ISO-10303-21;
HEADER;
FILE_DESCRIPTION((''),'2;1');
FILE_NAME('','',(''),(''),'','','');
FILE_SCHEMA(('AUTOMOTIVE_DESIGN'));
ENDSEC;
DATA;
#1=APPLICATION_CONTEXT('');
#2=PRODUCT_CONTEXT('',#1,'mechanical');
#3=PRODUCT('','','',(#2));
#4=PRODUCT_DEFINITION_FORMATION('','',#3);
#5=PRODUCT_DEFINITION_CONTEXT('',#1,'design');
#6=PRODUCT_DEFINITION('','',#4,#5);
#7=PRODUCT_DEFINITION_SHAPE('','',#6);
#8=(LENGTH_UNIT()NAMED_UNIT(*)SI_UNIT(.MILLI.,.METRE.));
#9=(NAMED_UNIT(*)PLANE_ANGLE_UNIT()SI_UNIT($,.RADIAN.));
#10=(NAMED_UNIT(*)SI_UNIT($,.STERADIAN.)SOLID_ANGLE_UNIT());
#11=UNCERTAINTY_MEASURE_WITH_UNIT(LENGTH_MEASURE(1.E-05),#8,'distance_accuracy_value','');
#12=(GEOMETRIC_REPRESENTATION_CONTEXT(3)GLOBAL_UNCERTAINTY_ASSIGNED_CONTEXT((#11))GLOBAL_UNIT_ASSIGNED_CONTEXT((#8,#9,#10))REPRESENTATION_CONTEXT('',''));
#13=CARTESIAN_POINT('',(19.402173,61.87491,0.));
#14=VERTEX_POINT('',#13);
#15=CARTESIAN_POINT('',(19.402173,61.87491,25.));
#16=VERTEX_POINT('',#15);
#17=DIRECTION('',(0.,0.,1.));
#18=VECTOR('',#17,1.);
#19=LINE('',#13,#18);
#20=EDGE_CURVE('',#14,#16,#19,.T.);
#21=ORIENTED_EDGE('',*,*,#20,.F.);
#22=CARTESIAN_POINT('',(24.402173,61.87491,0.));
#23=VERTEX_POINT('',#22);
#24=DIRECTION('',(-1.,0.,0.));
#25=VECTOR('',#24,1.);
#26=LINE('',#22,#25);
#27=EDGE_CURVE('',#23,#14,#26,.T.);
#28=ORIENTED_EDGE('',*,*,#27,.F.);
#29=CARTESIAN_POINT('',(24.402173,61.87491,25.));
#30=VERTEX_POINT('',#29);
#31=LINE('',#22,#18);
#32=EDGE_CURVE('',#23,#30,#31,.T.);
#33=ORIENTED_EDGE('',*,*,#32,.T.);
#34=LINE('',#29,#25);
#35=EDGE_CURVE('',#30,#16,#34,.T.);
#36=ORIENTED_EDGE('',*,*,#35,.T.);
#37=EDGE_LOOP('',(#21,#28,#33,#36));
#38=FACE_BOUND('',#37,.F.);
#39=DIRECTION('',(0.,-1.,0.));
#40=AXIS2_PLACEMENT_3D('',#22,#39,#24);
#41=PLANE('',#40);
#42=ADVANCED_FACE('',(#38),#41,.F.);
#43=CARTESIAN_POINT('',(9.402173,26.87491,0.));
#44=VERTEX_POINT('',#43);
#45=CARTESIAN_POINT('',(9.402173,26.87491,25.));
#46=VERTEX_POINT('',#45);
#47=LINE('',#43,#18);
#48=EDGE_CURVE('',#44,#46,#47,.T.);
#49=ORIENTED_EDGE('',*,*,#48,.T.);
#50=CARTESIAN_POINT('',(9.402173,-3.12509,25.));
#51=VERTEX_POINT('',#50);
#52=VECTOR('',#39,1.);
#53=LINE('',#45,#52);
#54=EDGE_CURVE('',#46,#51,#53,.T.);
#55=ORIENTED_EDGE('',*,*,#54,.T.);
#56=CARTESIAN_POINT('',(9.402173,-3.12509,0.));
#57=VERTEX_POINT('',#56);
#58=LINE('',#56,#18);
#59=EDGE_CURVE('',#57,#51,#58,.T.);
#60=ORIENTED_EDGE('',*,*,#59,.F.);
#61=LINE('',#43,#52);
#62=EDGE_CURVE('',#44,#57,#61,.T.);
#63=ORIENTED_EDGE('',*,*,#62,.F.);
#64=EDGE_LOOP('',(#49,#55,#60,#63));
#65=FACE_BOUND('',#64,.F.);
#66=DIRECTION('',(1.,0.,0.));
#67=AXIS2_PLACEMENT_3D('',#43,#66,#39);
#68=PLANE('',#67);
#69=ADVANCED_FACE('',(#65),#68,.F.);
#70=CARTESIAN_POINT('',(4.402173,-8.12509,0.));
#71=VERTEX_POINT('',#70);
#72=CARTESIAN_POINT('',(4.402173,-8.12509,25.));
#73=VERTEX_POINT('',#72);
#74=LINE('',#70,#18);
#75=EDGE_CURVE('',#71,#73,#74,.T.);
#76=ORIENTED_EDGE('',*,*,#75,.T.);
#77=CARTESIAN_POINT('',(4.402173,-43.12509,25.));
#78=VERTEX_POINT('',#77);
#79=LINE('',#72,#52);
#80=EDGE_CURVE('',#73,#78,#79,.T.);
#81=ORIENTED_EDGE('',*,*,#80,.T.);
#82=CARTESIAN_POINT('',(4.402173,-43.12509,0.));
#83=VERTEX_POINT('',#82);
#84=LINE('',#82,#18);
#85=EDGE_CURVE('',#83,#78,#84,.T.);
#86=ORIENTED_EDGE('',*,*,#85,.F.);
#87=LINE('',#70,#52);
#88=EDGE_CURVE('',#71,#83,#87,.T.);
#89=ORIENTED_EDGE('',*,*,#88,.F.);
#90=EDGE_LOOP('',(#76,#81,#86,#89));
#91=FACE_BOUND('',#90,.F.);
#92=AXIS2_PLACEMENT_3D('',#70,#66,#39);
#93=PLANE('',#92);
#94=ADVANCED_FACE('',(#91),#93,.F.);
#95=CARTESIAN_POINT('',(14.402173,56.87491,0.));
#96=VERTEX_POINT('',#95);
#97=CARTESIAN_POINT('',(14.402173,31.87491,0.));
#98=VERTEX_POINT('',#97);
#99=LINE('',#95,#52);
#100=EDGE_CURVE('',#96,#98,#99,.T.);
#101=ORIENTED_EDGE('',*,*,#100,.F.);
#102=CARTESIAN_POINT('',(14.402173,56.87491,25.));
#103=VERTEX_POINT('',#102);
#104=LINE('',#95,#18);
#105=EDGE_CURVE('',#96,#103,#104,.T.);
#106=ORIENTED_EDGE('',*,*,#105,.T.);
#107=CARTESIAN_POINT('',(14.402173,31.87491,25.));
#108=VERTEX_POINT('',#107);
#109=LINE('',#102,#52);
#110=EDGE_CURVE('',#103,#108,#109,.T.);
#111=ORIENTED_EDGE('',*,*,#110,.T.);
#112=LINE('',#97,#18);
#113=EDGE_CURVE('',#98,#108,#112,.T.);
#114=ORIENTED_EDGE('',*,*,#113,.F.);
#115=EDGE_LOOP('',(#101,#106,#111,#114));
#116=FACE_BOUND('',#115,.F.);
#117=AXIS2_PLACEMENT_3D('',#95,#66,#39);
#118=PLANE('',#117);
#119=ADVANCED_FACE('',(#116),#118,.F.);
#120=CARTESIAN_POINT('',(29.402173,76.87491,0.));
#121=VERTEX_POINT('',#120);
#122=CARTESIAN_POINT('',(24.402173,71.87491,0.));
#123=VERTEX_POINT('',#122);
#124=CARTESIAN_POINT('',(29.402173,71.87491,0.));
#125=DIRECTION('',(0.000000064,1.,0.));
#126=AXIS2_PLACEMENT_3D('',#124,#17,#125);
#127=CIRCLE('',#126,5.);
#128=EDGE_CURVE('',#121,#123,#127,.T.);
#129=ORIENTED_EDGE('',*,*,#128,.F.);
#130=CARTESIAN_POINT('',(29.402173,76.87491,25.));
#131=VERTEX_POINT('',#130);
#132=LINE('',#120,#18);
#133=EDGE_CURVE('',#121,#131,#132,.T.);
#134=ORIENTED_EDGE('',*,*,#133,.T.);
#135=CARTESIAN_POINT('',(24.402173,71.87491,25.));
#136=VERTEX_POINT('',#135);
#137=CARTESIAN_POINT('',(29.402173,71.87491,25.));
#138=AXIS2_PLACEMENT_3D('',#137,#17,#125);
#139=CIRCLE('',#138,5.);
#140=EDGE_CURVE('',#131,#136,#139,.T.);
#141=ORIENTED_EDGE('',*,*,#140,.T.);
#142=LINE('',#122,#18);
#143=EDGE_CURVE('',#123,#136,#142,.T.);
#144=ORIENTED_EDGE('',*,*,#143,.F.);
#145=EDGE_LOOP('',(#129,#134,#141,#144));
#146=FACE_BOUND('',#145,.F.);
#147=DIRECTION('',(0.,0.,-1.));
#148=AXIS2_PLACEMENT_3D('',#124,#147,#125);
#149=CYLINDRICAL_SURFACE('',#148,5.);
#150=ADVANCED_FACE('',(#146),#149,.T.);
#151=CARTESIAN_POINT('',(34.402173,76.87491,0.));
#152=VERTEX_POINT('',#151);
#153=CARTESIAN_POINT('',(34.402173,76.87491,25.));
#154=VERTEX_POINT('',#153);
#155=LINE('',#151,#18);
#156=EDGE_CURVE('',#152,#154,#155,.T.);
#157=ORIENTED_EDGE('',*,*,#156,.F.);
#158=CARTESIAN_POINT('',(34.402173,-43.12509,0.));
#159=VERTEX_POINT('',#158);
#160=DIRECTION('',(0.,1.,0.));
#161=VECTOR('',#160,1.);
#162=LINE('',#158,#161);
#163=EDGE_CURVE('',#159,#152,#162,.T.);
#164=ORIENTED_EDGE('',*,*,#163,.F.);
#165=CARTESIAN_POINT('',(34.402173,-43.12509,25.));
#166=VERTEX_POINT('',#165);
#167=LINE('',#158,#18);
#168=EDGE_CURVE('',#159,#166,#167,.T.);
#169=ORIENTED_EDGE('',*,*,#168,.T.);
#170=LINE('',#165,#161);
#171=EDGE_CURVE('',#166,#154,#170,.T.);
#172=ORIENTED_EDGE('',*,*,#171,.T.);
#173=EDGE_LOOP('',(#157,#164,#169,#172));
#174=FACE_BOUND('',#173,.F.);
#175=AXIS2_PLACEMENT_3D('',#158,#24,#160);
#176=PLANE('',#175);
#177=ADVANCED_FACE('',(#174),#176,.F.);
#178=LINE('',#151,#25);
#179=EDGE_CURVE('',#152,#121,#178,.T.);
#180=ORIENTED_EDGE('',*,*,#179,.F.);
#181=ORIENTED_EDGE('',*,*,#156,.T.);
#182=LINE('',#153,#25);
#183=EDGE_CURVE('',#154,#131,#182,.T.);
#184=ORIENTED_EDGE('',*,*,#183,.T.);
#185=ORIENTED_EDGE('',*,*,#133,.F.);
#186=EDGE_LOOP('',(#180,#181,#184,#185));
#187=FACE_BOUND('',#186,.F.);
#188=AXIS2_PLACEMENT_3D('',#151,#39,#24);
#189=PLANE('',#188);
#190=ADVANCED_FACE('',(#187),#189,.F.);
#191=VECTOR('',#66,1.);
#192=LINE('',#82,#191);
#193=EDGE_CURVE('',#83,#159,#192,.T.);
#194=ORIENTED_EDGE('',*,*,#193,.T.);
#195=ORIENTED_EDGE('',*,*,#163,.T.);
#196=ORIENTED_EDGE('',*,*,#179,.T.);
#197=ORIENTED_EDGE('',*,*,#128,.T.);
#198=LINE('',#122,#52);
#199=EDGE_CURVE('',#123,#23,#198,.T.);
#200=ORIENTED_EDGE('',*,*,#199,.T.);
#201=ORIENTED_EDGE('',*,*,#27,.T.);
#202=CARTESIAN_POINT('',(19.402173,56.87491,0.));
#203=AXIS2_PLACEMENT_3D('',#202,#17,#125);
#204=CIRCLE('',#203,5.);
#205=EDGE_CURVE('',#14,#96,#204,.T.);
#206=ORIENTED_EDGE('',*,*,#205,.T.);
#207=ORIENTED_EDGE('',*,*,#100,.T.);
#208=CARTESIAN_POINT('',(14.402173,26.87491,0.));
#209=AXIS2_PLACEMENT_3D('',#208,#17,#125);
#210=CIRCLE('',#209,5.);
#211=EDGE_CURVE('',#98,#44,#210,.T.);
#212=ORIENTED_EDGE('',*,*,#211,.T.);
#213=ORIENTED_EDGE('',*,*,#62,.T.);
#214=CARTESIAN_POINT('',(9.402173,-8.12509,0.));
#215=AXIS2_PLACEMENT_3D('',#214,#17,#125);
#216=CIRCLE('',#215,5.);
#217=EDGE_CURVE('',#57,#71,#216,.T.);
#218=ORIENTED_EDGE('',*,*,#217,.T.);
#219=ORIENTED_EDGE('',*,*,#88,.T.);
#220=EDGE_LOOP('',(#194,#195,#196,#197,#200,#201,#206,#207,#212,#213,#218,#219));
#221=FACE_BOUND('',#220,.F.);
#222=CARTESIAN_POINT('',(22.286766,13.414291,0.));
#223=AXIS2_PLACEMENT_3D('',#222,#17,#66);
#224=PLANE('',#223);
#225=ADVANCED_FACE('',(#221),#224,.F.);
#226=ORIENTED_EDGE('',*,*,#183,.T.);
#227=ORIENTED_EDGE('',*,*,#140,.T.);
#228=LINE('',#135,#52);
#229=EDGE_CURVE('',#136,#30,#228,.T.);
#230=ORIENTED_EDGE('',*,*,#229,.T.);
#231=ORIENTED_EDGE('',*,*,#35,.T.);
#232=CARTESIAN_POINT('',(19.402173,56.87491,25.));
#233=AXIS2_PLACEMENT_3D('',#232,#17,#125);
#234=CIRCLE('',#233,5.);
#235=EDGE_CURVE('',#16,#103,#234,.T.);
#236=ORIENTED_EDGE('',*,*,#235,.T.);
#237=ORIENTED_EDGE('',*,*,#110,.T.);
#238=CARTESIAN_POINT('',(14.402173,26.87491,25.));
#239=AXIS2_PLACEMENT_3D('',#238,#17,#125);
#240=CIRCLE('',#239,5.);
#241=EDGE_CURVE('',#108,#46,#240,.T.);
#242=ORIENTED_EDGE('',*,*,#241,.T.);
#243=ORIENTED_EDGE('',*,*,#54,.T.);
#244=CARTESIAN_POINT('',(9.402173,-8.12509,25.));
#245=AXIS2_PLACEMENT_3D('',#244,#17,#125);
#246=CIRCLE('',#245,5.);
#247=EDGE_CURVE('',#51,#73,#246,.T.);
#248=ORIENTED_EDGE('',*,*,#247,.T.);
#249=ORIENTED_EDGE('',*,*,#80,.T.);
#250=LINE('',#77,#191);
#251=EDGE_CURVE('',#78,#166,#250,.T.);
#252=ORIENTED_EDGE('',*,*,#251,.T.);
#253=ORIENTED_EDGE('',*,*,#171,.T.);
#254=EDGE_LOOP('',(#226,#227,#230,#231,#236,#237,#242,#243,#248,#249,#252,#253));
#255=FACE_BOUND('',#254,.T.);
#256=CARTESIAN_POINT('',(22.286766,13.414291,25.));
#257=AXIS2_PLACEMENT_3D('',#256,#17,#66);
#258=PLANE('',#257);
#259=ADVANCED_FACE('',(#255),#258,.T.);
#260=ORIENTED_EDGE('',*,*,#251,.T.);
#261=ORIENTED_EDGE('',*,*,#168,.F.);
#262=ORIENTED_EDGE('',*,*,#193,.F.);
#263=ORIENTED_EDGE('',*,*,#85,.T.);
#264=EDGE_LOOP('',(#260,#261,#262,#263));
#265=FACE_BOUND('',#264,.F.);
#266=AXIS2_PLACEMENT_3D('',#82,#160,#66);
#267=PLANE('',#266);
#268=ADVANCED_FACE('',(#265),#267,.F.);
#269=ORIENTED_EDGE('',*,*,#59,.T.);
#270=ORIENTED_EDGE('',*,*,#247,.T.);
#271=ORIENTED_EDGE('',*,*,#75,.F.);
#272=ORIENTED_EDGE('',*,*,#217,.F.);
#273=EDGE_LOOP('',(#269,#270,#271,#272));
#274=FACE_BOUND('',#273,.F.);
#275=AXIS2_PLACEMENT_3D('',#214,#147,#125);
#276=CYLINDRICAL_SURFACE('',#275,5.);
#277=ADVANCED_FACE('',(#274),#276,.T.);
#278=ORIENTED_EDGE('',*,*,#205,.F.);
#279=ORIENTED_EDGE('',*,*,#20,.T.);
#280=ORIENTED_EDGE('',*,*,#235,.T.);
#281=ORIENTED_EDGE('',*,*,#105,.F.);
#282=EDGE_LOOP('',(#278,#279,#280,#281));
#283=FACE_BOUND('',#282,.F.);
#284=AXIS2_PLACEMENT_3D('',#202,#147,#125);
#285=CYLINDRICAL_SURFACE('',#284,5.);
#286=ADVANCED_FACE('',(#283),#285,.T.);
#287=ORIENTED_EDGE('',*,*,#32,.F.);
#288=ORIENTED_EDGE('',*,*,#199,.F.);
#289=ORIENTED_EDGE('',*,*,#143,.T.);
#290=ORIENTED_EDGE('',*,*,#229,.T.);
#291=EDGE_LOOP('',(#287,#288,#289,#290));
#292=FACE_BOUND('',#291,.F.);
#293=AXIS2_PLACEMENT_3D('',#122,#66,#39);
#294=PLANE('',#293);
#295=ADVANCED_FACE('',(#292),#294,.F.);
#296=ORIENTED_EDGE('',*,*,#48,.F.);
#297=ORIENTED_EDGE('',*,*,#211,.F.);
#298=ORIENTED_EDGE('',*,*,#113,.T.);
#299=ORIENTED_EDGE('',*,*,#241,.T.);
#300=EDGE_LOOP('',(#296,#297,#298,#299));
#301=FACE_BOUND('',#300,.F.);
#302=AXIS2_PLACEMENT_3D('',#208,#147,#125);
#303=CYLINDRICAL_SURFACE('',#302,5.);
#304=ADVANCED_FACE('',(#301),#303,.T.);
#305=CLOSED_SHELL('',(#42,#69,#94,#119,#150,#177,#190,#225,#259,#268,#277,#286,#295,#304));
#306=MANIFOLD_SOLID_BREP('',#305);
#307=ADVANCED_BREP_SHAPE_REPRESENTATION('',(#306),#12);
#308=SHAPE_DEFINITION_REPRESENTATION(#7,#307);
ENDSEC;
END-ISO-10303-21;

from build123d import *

# Parameters (mm, degrees)
F1_DEPTH = 25


with BuildPart() as f1:
    # F0 (on Top) → F1 (new body)
    with BuildSketch(Plane.XY):
        with BuildLine():
            Line((24.402173, -43.12509), (34.402173, -43.12509))
            Line((34.402173, -43.12509), (34.402173, 76.87491))
            Line((34.402173, 76.87491), (29.402173, 76.87491))
            ThreePointArc((29.402173, 76.87491), (25.866639, 75.410444), (24.402173, 71.87491))
            Line((24.402173, 71.87491), (24.402173, 61.87491))
            Line((24.402173, 61.87491), (19.402173, 61.87491))
            ThreePointArc((19.402173, 61.87491), (15.866639, 60.410444), (14.402173, 56.87491))
            Line((14.402173, 56.87491), (14.402173, 31.87491))
            ThreePointArc((14.402173, 31.87491), (10.866639, 30.410444), (9.402173, 26.87491))
            Line((9.402173, 26.87491), (9.402173, -3.12509))
            ThreePointArc((9.402173, -3.12509), (5.866639, -4.589556), (4.402173, -8.12509))
            Line((4.402173, -8.12509), (4.402173, -43.12509))
            Line((4.402173, -43.12509), (9.402173, -43.12509))
            Line((9.402173, -43.12509), (14.402173, -43.12509))
            Line((14.402173, -43.12509), (24.402173, -43.12509))
        make_face()
    extrude(amount=F1_DEPTH)


solid = f1.part
